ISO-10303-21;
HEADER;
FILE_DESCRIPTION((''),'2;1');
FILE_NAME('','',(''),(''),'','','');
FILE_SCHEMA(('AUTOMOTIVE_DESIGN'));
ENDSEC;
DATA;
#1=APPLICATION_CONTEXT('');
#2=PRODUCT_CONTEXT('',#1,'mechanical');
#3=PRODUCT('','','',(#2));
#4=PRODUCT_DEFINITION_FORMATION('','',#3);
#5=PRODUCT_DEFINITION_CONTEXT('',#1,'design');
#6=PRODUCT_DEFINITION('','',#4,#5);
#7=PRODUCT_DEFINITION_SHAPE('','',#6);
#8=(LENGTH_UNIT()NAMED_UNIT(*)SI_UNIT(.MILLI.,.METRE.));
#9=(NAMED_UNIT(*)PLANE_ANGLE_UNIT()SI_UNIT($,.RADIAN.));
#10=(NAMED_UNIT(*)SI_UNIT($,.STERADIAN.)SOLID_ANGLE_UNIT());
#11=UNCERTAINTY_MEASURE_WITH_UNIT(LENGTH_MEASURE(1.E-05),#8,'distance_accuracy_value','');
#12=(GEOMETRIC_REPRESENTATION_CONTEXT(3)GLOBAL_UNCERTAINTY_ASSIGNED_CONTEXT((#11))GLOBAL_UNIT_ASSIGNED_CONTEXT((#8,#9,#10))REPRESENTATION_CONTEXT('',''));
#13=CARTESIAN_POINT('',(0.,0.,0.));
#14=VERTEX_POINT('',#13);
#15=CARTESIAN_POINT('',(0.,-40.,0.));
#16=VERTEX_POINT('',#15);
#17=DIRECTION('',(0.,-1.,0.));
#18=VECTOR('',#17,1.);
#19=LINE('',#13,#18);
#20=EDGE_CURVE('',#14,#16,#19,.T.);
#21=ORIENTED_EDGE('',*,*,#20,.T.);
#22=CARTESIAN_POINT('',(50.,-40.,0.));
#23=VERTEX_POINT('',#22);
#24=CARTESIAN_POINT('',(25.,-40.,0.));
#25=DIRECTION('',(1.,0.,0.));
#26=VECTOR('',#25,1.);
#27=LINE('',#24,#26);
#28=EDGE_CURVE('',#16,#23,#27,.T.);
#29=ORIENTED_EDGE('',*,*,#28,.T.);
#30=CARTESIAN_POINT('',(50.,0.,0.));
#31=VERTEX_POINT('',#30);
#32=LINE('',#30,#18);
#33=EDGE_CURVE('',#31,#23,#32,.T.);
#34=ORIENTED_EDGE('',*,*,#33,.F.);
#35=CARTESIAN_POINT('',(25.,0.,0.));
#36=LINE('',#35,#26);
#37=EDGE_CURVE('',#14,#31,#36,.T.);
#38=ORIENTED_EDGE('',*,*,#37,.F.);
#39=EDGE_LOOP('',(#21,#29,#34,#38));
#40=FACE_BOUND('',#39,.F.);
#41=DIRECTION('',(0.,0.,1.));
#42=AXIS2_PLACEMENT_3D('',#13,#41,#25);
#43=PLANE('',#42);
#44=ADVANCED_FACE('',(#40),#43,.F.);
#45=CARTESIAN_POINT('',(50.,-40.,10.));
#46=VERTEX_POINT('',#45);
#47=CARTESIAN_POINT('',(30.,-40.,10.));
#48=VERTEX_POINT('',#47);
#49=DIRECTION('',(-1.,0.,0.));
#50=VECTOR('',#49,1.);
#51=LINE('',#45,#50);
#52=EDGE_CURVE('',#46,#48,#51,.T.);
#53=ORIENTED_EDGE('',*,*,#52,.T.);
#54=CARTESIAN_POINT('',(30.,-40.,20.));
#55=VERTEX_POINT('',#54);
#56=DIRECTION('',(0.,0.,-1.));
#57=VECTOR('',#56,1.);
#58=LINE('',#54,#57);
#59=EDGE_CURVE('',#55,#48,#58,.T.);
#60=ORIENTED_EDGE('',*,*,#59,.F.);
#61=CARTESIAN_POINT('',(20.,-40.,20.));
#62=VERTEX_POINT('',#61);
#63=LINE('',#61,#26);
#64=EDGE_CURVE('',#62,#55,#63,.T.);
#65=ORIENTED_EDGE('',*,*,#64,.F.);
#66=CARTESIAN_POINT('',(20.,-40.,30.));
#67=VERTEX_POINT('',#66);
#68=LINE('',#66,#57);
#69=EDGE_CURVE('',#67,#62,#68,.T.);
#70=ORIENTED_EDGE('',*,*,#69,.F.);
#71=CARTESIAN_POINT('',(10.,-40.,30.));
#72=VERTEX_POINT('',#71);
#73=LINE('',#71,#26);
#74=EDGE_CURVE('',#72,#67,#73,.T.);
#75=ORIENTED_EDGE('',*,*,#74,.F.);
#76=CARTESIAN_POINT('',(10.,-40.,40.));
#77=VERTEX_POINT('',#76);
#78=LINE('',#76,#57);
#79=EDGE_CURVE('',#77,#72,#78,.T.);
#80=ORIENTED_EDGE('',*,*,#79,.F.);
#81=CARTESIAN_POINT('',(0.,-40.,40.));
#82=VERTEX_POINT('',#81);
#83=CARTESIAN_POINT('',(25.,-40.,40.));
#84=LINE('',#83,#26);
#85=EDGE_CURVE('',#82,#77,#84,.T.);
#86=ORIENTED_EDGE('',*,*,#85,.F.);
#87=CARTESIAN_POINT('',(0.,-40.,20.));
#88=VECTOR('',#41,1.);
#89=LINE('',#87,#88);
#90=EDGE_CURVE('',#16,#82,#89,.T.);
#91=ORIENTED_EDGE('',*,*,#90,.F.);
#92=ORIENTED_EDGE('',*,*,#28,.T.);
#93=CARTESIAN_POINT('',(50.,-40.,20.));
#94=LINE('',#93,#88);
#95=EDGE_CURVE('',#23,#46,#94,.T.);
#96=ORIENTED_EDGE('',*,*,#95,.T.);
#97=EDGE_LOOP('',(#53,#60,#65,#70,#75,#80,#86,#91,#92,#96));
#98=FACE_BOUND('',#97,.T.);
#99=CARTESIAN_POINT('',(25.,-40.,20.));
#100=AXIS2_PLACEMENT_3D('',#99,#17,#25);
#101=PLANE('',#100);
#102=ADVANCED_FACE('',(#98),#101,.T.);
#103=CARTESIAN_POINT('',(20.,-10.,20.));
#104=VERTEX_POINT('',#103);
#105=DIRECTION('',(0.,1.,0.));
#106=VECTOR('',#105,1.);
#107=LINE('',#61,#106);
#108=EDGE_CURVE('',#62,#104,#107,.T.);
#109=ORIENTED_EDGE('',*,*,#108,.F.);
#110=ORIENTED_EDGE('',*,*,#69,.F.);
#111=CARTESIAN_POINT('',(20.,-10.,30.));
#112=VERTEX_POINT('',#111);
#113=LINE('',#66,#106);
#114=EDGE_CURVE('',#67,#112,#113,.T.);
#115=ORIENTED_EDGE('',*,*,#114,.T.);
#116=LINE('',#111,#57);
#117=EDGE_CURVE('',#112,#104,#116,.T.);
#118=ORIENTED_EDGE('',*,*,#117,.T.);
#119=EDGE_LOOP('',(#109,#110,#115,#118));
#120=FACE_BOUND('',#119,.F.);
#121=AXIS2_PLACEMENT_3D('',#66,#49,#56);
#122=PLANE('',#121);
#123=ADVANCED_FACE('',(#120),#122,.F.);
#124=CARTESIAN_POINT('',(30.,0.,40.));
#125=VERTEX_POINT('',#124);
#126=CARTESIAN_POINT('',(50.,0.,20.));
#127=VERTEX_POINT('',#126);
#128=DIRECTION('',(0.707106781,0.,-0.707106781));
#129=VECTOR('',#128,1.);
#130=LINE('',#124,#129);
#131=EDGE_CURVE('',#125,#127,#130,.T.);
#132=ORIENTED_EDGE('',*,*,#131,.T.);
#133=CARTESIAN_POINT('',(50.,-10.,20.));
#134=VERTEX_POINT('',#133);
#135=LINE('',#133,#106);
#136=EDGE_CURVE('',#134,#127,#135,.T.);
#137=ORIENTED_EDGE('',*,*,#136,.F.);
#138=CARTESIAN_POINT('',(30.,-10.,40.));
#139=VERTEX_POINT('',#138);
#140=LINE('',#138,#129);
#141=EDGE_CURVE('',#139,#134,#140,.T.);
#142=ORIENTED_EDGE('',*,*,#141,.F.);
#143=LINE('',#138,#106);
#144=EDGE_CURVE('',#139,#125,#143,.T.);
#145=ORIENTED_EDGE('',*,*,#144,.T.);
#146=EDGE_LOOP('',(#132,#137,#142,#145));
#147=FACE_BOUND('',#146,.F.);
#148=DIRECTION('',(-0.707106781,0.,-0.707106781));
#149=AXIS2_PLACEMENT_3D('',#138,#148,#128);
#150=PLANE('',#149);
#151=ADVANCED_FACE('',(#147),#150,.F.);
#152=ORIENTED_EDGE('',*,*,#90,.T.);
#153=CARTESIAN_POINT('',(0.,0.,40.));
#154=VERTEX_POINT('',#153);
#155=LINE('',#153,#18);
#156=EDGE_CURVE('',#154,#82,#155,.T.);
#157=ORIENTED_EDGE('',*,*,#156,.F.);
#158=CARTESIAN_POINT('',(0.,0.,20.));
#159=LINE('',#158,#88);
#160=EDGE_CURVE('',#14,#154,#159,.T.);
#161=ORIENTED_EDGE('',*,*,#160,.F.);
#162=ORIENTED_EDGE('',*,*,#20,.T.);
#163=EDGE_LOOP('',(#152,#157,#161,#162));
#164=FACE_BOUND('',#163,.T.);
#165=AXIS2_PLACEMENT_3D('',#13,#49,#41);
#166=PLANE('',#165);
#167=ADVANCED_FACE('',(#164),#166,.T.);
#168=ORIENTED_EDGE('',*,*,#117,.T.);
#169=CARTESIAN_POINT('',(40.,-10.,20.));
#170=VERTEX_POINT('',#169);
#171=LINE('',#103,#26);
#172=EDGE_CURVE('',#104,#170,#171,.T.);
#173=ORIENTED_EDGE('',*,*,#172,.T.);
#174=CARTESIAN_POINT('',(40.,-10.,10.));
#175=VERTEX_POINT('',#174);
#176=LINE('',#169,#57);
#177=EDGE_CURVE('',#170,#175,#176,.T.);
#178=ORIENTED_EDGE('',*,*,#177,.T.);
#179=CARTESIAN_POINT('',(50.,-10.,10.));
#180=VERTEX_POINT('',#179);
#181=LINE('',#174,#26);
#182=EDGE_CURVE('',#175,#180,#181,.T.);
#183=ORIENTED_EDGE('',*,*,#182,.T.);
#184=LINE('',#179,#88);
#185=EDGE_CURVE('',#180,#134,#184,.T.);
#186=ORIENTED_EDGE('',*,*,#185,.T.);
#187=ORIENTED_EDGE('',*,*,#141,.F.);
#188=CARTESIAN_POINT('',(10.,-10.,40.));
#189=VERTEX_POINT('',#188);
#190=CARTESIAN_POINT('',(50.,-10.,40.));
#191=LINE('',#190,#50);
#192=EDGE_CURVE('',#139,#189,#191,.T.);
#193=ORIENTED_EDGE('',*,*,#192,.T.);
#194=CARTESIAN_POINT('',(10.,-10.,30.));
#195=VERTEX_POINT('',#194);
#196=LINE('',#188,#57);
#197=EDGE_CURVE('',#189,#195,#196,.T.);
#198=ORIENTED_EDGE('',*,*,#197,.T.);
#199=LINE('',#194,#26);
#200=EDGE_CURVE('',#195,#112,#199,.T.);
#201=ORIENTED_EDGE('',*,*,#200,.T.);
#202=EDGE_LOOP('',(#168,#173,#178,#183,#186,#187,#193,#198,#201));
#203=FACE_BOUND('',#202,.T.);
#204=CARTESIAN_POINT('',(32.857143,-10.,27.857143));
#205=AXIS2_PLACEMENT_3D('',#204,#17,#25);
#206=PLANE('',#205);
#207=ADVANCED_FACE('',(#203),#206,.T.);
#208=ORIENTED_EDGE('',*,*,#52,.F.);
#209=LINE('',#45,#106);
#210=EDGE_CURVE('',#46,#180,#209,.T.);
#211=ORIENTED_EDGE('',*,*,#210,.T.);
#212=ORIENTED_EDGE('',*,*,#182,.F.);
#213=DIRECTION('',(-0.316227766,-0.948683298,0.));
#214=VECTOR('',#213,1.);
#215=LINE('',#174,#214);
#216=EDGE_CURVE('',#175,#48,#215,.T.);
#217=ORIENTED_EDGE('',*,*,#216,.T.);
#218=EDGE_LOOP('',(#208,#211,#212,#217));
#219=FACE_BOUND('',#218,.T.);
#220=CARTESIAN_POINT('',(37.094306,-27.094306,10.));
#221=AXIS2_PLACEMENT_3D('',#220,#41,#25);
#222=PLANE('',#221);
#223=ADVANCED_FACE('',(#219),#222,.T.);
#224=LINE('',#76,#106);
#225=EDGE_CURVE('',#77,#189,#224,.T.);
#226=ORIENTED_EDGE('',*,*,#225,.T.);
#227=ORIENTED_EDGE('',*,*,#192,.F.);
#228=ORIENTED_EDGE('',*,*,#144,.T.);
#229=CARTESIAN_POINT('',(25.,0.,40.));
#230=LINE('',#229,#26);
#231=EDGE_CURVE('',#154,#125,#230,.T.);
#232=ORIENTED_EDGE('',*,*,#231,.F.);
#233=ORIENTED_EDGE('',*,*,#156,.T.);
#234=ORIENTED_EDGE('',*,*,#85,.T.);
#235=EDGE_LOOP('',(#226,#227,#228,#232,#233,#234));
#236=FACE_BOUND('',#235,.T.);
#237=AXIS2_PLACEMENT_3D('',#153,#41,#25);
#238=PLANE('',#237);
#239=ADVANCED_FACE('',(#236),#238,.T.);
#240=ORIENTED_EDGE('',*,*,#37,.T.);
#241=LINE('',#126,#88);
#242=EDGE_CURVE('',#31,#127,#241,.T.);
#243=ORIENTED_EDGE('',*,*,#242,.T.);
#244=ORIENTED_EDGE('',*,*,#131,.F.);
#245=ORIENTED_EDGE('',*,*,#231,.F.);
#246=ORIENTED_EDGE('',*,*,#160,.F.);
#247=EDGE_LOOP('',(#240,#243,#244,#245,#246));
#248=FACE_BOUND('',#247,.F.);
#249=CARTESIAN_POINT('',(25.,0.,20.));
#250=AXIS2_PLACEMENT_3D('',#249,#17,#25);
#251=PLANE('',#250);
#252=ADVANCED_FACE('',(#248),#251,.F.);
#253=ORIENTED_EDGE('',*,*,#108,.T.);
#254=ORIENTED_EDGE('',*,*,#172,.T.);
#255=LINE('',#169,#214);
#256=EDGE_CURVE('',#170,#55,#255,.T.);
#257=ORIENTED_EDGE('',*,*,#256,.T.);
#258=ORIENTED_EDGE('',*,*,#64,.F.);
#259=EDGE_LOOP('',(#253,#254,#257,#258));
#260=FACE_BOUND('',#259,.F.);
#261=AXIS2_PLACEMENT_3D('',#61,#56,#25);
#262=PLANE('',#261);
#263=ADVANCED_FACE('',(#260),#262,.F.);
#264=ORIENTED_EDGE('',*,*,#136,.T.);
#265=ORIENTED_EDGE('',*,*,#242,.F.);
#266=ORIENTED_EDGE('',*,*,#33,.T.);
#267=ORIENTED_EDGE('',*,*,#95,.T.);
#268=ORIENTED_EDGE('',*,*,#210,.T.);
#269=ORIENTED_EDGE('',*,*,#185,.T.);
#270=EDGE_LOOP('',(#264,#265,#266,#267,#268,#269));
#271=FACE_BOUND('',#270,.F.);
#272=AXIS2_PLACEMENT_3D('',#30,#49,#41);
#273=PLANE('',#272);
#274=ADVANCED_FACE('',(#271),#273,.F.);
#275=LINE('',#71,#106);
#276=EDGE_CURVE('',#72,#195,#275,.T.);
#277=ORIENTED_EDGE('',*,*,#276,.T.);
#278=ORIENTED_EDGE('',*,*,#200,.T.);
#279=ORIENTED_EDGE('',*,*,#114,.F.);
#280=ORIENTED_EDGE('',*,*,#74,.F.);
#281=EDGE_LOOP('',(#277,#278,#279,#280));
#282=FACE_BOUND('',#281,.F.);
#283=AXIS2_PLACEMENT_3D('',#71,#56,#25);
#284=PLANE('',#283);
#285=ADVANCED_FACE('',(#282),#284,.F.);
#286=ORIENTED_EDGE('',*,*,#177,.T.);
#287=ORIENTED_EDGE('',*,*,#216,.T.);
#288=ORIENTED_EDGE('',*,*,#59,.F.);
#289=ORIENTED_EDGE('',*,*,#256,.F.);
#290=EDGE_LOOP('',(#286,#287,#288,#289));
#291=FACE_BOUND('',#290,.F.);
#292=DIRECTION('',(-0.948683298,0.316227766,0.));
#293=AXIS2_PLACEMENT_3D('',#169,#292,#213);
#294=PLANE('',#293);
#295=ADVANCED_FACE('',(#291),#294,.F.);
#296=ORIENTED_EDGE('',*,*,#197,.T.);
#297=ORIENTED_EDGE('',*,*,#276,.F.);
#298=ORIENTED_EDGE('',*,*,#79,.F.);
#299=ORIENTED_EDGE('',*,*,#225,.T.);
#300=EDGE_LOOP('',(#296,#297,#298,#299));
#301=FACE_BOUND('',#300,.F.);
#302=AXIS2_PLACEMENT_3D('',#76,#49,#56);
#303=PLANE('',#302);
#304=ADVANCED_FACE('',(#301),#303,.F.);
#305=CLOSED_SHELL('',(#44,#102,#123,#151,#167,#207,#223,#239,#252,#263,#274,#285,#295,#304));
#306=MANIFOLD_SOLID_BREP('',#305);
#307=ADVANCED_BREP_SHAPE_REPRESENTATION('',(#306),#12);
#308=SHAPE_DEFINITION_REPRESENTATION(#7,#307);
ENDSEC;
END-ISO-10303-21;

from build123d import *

# Parameters (mm, degrees)
F0_W     = 50
F0_H     = 40
F1_DEPTH = 40
F3_DEPTH = 30
F5_DEPTH = 10
F7_DEPTH = 10


with BuildPart() as f1:
    # F0 (on Front) → F1 (new body)
    with BuildSketch(Plane.XZ):
        with Locations((25, 20)):
            Rectangle(F0_W, F0_H)
    extrude(amount=F1_DEPTH)

    # F2 (on face) → F3 (cut)
    with BuildSketch(Plane.XZ.offset(40)):
        Polygon((50, 10), (50, 40), (10, 40), (10, 30), (20, 30), (20, 20), (40, 20), (40, 10), align=None)
    extrude(amount=-F3_DEPTH, mode=Mode.SUBTRACT)

    # F4 (on face) → F5 (cut)
    with BuildSketch(Plane.XZ.offset(10)):
        Polygon((50, 20), (50, 40), (30, 40), align=None)
    extrude(amount=-F5_DEPTH, mode=Mode.SUBTRACT)

    # F6 (on face) → F7 (cut)
    with BuildSketch(Plane.XY.offset(20)):
        Polygon((40, -40), (40, -10), (30, -40), align=None)
    extrude(amount=-F7_DEPTH, mode=Mode.SUBTRACT)


solid = f1.part
